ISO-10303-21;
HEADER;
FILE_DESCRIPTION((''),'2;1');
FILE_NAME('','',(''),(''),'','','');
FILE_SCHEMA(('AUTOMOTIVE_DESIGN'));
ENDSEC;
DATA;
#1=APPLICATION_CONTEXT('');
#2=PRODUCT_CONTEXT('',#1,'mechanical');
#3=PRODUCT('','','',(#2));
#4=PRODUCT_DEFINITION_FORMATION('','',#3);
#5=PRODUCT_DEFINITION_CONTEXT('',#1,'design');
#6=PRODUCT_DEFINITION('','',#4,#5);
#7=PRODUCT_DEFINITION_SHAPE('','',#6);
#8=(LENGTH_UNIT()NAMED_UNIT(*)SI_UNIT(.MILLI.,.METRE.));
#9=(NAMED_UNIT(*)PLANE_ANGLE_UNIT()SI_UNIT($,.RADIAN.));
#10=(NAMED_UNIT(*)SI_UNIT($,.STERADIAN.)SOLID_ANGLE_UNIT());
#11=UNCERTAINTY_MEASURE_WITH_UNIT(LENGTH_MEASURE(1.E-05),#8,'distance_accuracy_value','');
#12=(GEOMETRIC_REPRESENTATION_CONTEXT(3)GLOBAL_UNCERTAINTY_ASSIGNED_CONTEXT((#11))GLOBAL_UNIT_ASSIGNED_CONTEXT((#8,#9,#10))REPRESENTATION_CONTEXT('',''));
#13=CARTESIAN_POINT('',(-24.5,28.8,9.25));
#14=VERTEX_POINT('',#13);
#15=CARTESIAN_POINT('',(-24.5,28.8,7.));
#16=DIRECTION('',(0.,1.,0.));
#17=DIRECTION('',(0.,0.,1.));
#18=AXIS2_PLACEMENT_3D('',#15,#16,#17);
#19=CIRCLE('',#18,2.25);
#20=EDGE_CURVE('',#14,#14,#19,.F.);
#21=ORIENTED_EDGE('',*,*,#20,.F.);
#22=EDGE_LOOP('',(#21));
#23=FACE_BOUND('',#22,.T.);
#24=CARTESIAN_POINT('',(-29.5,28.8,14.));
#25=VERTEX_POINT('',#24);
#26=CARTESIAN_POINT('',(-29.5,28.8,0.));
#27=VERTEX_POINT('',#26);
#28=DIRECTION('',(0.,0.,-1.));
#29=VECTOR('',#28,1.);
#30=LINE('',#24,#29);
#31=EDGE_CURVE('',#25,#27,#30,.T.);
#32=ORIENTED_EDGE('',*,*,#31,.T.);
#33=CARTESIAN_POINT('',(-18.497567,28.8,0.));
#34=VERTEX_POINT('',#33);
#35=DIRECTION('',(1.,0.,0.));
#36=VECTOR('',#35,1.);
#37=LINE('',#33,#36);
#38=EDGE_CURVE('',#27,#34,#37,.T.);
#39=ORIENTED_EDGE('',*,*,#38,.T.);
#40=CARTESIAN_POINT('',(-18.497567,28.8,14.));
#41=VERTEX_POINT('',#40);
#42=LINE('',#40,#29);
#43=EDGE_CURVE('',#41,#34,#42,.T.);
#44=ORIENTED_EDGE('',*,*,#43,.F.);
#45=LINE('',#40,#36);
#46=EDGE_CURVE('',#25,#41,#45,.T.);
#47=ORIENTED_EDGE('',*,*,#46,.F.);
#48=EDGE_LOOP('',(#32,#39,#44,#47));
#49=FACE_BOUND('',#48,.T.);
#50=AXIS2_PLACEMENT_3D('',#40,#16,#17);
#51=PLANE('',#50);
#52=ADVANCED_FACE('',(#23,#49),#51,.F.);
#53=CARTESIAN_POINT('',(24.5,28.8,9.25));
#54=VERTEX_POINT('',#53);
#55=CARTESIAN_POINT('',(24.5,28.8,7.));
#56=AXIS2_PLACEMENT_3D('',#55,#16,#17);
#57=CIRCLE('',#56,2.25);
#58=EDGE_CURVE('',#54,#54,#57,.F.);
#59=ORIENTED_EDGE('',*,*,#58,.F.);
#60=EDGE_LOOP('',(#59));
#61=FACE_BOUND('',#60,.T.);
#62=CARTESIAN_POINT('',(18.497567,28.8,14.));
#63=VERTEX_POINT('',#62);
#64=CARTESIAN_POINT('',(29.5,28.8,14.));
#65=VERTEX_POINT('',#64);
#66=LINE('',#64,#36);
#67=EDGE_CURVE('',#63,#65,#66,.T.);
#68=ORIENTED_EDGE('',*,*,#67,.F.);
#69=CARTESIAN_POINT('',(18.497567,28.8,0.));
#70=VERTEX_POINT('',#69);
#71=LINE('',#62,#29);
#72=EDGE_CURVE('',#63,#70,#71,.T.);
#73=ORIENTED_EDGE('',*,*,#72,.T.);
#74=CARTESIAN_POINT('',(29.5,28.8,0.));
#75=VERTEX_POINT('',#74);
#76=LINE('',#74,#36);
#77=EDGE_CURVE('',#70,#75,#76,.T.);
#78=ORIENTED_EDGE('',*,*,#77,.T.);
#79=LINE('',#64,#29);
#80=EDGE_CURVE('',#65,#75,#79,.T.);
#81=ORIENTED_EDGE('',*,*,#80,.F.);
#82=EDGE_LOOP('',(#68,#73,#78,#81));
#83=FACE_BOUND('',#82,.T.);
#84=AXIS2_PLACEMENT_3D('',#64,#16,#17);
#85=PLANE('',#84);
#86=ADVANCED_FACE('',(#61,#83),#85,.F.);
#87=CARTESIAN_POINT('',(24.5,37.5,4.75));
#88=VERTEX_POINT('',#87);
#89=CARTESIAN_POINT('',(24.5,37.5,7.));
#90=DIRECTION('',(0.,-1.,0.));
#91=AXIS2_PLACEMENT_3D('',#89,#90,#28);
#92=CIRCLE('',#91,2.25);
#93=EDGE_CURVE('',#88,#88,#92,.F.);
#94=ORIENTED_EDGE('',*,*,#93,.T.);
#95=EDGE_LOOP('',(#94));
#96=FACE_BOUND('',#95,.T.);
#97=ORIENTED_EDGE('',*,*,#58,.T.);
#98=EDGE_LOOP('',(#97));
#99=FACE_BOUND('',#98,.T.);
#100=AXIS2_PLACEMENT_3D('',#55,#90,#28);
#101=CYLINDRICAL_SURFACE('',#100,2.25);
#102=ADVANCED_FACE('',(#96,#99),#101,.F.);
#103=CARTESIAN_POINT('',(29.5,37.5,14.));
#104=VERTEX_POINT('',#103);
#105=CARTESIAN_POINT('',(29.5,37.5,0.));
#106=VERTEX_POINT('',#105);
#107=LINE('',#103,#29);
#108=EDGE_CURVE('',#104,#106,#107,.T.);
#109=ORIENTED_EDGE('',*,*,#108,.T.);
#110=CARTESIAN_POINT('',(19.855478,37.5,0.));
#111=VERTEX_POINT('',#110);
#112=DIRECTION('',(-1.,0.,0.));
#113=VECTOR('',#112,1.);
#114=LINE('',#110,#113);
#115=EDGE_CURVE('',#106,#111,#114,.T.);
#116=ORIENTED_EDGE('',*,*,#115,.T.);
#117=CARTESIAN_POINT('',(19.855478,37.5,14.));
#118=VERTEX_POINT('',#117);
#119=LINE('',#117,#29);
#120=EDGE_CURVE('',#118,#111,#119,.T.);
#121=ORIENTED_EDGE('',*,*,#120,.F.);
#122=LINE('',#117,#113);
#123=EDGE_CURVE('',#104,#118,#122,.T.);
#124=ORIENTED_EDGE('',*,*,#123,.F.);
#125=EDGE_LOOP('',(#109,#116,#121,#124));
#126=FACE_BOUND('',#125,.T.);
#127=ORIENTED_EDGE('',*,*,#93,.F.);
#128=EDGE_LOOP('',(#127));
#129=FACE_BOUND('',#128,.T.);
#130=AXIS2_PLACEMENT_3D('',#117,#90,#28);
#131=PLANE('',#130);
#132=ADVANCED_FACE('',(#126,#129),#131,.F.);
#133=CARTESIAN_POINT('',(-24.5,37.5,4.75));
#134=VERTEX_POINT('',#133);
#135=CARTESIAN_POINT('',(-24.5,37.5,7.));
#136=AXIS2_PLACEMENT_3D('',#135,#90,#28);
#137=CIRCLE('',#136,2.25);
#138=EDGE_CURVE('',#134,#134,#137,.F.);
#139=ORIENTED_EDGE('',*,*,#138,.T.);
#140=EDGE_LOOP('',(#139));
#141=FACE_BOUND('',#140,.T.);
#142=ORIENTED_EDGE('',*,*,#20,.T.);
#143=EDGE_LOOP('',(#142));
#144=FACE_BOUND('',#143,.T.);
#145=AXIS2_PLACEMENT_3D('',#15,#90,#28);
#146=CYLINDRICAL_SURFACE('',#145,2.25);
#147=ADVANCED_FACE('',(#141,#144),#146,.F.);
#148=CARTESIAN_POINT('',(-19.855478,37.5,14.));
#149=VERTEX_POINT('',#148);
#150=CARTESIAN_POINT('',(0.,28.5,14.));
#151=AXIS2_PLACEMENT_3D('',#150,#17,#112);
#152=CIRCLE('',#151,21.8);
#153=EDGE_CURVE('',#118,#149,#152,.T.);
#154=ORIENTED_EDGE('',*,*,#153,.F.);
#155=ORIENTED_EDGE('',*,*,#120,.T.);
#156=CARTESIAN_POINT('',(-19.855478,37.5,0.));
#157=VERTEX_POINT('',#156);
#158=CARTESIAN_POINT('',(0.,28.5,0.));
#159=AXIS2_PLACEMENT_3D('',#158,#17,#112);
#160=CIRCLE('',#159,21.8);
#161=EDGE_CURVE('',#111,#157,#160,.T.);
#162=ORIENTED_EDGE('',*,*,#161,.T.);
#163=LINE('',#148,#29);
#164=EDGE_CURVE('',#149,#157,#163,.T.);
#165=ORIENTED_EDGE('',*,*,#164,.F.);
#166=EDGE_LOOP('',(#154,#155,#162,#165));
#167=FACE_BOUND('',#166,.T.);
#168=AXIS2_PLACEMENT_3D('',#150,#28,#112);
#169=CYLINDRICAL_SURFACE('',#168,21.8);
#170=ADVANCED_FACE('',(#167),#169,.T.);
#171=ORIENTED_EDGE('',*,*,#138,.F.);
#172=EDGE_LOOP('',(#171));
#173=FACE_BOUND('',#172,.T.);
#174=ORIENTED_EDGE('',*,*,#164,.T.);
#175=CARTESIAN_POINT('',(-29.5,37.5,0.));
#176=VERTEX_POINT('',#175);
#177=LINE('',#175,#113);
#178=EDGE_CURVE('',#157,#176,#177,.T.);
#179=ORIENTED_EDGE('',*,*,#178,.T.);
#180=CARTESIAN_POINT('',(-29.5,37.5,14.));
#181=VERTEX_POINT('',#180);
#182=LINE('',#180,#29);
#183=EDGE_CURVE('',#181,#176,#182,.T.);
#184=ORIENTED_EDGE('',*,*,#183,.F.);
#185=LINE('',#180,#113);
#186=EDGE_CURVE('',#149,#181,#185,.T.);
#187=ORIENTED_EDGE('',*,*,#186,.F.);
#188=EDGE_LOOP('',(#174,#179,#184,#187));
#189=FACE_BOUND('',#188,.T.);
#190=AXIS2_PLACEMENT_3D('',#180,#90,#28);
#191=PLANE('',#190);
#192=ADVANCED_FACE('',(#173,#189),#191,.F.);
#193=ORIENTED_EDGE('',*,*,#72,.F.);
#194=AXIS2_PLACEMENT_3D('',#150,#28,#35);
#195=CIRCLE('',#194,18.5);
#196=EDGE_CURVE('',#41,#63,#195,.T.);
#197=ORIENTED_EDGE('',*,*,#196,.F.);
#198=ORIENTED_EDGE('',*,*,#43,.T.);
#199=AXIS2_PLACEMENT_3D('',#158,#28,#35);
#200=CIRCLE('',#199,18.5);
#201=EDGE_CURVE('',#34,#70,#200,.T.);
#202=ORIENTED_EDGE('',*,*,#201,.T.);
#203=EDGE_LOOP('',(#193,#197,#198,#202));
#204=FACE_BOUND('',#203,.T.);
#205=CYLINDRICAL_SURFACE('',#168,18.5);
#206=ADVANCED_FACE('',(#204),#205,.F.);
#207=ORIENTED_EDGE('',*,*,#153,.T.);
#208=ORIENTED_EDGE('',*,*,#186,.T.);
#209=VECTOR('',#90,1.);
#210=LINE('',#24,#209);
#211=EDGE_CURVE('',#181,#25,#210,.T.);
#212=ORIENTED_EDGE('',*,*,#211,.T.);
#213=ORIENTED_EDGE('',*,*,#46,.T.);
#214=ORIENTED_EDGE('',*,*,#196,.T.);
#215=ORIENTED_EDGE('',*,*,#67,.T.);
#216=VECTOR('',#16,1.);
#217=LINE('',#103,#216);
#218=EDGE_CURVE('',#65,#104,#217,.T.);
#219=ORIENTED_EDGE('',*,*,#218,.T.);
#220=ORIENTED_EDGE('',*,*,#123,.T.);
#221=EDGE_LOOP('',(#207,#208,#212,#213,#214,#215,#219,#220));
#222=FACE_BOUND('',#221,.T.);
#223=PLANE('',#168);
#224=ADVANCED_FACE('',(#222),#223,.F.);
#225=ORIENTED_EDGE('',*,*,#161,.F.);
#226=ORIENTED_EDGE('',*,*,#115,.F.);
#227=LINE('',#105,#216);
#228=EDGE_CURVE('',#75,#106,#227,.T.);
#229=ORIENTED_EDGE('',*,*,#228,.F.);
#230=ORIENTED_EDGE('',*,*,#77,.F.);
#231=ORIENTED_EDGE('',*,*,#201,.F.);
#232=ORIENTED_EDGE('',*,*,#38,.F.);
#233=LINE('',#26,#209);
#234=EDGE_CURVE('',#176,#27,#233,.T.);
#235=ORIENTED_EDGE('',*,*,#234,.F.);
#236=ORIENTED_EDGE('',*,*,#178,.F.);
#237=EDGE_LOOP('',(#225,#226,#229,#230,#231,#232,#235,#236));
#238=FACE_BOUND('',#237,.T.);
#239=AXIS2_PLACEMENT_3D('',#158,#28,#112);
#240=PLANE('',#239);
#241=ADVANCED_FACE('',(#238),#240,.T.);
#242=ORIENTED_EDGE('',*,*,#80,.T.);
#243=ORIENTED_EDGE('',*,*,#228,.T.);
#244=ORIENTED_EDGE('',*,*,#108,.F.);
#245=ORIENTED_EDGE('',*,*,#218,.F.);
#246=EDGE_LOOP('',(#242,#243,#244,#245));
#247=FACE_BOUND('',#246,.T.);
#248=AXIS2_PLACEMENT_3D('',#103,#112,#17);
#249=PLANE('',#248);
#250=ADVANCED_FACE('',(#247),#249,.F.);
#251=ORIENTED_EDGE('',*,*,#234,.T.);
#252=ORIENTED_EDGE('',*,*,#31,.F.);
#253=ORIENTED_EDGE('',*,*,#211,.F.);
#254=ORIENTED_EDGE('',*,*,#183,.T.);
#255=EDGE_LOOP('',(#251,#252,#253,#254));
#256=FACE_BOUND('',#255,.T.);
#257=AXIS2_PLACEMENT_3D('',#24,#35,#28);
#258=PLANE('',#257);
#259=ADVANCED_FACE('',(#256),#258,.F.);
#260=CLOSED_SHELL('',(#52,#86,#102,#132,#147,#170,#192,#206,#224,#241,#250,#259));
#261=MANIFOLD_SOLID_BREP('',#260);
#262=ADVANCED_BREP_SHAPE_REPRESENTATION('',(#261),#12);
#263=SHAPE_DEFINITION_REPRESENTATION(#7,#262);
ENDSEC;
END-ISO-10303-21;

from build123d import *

# Parameters (mm, degrees)
SPLIT_CAP_WITH_RAISED_FLAT_WASHER_SEATS_DEPTH = 14
M4_THROUGH_HOLES_DEPTH                        = 60.969492244
M4_THROUGH_HOLES_DEPTH_BACK                   = 60.969492244
SKETCH2_R                                     = 2.25


with BuildPart() as part:
    # Split cap with raised flat washer se 2 → Split cap with raised flat washer seats (new body)
    with BuildSketch(Plane.XY):
        with BuildLine():
            Line((19.855477834, 37.5), (29.5, 37.5))
            Line((29.5, 37.5), (29.5, 28.8))
            Line((29.5, 28.8), (18.497567408, 28.8))
            ThreePointArc((18.497567408, 28.8), (0, 47), (-18.497567408, 28.8))
            Line((-18.497567408, 28.8), (-29.5, 28.8))
            Line((-29.5, 28.8), (-29.5, 37.5))
            Line((-29.5, 37.5), (-19.855477834, 37.5))
            ThreePointArc((-19.855477834, 37.5), (0, 50.3), (19.855477834, 37.5))
        make_face()
    extrude(amount=SPLIT_CAP_WITH_RAISED_FLAT_WASHER_SEATS_DEPTH)

    # Sketch2 → M4 through holes (cut, two sides: drawn at the far end of the back side and taken through both)
    with BuildSketch(Plane(origin=(0, 0, 0), x_dir=(1, 0, 0), z_dir=(0, 1, 0)).offset(-M4_THROUGH_HOLES_DEPTH_BACK)):
        with Locations(Location((-24.5, -7, 0), (0, 0, 90))):
            Circle(SKETCH2_R)
        with Locations(Location((24.5, -7, 0), (0, 0, 90))):
            Circle(SKETCH2_R)
    extrude(amount=M4_THROUGH_HOLES_DEPTH + M4_THROUGH_HOLES_DEPTH_BACK, mode=Mode.SUBTRACT)


solid = part.part
